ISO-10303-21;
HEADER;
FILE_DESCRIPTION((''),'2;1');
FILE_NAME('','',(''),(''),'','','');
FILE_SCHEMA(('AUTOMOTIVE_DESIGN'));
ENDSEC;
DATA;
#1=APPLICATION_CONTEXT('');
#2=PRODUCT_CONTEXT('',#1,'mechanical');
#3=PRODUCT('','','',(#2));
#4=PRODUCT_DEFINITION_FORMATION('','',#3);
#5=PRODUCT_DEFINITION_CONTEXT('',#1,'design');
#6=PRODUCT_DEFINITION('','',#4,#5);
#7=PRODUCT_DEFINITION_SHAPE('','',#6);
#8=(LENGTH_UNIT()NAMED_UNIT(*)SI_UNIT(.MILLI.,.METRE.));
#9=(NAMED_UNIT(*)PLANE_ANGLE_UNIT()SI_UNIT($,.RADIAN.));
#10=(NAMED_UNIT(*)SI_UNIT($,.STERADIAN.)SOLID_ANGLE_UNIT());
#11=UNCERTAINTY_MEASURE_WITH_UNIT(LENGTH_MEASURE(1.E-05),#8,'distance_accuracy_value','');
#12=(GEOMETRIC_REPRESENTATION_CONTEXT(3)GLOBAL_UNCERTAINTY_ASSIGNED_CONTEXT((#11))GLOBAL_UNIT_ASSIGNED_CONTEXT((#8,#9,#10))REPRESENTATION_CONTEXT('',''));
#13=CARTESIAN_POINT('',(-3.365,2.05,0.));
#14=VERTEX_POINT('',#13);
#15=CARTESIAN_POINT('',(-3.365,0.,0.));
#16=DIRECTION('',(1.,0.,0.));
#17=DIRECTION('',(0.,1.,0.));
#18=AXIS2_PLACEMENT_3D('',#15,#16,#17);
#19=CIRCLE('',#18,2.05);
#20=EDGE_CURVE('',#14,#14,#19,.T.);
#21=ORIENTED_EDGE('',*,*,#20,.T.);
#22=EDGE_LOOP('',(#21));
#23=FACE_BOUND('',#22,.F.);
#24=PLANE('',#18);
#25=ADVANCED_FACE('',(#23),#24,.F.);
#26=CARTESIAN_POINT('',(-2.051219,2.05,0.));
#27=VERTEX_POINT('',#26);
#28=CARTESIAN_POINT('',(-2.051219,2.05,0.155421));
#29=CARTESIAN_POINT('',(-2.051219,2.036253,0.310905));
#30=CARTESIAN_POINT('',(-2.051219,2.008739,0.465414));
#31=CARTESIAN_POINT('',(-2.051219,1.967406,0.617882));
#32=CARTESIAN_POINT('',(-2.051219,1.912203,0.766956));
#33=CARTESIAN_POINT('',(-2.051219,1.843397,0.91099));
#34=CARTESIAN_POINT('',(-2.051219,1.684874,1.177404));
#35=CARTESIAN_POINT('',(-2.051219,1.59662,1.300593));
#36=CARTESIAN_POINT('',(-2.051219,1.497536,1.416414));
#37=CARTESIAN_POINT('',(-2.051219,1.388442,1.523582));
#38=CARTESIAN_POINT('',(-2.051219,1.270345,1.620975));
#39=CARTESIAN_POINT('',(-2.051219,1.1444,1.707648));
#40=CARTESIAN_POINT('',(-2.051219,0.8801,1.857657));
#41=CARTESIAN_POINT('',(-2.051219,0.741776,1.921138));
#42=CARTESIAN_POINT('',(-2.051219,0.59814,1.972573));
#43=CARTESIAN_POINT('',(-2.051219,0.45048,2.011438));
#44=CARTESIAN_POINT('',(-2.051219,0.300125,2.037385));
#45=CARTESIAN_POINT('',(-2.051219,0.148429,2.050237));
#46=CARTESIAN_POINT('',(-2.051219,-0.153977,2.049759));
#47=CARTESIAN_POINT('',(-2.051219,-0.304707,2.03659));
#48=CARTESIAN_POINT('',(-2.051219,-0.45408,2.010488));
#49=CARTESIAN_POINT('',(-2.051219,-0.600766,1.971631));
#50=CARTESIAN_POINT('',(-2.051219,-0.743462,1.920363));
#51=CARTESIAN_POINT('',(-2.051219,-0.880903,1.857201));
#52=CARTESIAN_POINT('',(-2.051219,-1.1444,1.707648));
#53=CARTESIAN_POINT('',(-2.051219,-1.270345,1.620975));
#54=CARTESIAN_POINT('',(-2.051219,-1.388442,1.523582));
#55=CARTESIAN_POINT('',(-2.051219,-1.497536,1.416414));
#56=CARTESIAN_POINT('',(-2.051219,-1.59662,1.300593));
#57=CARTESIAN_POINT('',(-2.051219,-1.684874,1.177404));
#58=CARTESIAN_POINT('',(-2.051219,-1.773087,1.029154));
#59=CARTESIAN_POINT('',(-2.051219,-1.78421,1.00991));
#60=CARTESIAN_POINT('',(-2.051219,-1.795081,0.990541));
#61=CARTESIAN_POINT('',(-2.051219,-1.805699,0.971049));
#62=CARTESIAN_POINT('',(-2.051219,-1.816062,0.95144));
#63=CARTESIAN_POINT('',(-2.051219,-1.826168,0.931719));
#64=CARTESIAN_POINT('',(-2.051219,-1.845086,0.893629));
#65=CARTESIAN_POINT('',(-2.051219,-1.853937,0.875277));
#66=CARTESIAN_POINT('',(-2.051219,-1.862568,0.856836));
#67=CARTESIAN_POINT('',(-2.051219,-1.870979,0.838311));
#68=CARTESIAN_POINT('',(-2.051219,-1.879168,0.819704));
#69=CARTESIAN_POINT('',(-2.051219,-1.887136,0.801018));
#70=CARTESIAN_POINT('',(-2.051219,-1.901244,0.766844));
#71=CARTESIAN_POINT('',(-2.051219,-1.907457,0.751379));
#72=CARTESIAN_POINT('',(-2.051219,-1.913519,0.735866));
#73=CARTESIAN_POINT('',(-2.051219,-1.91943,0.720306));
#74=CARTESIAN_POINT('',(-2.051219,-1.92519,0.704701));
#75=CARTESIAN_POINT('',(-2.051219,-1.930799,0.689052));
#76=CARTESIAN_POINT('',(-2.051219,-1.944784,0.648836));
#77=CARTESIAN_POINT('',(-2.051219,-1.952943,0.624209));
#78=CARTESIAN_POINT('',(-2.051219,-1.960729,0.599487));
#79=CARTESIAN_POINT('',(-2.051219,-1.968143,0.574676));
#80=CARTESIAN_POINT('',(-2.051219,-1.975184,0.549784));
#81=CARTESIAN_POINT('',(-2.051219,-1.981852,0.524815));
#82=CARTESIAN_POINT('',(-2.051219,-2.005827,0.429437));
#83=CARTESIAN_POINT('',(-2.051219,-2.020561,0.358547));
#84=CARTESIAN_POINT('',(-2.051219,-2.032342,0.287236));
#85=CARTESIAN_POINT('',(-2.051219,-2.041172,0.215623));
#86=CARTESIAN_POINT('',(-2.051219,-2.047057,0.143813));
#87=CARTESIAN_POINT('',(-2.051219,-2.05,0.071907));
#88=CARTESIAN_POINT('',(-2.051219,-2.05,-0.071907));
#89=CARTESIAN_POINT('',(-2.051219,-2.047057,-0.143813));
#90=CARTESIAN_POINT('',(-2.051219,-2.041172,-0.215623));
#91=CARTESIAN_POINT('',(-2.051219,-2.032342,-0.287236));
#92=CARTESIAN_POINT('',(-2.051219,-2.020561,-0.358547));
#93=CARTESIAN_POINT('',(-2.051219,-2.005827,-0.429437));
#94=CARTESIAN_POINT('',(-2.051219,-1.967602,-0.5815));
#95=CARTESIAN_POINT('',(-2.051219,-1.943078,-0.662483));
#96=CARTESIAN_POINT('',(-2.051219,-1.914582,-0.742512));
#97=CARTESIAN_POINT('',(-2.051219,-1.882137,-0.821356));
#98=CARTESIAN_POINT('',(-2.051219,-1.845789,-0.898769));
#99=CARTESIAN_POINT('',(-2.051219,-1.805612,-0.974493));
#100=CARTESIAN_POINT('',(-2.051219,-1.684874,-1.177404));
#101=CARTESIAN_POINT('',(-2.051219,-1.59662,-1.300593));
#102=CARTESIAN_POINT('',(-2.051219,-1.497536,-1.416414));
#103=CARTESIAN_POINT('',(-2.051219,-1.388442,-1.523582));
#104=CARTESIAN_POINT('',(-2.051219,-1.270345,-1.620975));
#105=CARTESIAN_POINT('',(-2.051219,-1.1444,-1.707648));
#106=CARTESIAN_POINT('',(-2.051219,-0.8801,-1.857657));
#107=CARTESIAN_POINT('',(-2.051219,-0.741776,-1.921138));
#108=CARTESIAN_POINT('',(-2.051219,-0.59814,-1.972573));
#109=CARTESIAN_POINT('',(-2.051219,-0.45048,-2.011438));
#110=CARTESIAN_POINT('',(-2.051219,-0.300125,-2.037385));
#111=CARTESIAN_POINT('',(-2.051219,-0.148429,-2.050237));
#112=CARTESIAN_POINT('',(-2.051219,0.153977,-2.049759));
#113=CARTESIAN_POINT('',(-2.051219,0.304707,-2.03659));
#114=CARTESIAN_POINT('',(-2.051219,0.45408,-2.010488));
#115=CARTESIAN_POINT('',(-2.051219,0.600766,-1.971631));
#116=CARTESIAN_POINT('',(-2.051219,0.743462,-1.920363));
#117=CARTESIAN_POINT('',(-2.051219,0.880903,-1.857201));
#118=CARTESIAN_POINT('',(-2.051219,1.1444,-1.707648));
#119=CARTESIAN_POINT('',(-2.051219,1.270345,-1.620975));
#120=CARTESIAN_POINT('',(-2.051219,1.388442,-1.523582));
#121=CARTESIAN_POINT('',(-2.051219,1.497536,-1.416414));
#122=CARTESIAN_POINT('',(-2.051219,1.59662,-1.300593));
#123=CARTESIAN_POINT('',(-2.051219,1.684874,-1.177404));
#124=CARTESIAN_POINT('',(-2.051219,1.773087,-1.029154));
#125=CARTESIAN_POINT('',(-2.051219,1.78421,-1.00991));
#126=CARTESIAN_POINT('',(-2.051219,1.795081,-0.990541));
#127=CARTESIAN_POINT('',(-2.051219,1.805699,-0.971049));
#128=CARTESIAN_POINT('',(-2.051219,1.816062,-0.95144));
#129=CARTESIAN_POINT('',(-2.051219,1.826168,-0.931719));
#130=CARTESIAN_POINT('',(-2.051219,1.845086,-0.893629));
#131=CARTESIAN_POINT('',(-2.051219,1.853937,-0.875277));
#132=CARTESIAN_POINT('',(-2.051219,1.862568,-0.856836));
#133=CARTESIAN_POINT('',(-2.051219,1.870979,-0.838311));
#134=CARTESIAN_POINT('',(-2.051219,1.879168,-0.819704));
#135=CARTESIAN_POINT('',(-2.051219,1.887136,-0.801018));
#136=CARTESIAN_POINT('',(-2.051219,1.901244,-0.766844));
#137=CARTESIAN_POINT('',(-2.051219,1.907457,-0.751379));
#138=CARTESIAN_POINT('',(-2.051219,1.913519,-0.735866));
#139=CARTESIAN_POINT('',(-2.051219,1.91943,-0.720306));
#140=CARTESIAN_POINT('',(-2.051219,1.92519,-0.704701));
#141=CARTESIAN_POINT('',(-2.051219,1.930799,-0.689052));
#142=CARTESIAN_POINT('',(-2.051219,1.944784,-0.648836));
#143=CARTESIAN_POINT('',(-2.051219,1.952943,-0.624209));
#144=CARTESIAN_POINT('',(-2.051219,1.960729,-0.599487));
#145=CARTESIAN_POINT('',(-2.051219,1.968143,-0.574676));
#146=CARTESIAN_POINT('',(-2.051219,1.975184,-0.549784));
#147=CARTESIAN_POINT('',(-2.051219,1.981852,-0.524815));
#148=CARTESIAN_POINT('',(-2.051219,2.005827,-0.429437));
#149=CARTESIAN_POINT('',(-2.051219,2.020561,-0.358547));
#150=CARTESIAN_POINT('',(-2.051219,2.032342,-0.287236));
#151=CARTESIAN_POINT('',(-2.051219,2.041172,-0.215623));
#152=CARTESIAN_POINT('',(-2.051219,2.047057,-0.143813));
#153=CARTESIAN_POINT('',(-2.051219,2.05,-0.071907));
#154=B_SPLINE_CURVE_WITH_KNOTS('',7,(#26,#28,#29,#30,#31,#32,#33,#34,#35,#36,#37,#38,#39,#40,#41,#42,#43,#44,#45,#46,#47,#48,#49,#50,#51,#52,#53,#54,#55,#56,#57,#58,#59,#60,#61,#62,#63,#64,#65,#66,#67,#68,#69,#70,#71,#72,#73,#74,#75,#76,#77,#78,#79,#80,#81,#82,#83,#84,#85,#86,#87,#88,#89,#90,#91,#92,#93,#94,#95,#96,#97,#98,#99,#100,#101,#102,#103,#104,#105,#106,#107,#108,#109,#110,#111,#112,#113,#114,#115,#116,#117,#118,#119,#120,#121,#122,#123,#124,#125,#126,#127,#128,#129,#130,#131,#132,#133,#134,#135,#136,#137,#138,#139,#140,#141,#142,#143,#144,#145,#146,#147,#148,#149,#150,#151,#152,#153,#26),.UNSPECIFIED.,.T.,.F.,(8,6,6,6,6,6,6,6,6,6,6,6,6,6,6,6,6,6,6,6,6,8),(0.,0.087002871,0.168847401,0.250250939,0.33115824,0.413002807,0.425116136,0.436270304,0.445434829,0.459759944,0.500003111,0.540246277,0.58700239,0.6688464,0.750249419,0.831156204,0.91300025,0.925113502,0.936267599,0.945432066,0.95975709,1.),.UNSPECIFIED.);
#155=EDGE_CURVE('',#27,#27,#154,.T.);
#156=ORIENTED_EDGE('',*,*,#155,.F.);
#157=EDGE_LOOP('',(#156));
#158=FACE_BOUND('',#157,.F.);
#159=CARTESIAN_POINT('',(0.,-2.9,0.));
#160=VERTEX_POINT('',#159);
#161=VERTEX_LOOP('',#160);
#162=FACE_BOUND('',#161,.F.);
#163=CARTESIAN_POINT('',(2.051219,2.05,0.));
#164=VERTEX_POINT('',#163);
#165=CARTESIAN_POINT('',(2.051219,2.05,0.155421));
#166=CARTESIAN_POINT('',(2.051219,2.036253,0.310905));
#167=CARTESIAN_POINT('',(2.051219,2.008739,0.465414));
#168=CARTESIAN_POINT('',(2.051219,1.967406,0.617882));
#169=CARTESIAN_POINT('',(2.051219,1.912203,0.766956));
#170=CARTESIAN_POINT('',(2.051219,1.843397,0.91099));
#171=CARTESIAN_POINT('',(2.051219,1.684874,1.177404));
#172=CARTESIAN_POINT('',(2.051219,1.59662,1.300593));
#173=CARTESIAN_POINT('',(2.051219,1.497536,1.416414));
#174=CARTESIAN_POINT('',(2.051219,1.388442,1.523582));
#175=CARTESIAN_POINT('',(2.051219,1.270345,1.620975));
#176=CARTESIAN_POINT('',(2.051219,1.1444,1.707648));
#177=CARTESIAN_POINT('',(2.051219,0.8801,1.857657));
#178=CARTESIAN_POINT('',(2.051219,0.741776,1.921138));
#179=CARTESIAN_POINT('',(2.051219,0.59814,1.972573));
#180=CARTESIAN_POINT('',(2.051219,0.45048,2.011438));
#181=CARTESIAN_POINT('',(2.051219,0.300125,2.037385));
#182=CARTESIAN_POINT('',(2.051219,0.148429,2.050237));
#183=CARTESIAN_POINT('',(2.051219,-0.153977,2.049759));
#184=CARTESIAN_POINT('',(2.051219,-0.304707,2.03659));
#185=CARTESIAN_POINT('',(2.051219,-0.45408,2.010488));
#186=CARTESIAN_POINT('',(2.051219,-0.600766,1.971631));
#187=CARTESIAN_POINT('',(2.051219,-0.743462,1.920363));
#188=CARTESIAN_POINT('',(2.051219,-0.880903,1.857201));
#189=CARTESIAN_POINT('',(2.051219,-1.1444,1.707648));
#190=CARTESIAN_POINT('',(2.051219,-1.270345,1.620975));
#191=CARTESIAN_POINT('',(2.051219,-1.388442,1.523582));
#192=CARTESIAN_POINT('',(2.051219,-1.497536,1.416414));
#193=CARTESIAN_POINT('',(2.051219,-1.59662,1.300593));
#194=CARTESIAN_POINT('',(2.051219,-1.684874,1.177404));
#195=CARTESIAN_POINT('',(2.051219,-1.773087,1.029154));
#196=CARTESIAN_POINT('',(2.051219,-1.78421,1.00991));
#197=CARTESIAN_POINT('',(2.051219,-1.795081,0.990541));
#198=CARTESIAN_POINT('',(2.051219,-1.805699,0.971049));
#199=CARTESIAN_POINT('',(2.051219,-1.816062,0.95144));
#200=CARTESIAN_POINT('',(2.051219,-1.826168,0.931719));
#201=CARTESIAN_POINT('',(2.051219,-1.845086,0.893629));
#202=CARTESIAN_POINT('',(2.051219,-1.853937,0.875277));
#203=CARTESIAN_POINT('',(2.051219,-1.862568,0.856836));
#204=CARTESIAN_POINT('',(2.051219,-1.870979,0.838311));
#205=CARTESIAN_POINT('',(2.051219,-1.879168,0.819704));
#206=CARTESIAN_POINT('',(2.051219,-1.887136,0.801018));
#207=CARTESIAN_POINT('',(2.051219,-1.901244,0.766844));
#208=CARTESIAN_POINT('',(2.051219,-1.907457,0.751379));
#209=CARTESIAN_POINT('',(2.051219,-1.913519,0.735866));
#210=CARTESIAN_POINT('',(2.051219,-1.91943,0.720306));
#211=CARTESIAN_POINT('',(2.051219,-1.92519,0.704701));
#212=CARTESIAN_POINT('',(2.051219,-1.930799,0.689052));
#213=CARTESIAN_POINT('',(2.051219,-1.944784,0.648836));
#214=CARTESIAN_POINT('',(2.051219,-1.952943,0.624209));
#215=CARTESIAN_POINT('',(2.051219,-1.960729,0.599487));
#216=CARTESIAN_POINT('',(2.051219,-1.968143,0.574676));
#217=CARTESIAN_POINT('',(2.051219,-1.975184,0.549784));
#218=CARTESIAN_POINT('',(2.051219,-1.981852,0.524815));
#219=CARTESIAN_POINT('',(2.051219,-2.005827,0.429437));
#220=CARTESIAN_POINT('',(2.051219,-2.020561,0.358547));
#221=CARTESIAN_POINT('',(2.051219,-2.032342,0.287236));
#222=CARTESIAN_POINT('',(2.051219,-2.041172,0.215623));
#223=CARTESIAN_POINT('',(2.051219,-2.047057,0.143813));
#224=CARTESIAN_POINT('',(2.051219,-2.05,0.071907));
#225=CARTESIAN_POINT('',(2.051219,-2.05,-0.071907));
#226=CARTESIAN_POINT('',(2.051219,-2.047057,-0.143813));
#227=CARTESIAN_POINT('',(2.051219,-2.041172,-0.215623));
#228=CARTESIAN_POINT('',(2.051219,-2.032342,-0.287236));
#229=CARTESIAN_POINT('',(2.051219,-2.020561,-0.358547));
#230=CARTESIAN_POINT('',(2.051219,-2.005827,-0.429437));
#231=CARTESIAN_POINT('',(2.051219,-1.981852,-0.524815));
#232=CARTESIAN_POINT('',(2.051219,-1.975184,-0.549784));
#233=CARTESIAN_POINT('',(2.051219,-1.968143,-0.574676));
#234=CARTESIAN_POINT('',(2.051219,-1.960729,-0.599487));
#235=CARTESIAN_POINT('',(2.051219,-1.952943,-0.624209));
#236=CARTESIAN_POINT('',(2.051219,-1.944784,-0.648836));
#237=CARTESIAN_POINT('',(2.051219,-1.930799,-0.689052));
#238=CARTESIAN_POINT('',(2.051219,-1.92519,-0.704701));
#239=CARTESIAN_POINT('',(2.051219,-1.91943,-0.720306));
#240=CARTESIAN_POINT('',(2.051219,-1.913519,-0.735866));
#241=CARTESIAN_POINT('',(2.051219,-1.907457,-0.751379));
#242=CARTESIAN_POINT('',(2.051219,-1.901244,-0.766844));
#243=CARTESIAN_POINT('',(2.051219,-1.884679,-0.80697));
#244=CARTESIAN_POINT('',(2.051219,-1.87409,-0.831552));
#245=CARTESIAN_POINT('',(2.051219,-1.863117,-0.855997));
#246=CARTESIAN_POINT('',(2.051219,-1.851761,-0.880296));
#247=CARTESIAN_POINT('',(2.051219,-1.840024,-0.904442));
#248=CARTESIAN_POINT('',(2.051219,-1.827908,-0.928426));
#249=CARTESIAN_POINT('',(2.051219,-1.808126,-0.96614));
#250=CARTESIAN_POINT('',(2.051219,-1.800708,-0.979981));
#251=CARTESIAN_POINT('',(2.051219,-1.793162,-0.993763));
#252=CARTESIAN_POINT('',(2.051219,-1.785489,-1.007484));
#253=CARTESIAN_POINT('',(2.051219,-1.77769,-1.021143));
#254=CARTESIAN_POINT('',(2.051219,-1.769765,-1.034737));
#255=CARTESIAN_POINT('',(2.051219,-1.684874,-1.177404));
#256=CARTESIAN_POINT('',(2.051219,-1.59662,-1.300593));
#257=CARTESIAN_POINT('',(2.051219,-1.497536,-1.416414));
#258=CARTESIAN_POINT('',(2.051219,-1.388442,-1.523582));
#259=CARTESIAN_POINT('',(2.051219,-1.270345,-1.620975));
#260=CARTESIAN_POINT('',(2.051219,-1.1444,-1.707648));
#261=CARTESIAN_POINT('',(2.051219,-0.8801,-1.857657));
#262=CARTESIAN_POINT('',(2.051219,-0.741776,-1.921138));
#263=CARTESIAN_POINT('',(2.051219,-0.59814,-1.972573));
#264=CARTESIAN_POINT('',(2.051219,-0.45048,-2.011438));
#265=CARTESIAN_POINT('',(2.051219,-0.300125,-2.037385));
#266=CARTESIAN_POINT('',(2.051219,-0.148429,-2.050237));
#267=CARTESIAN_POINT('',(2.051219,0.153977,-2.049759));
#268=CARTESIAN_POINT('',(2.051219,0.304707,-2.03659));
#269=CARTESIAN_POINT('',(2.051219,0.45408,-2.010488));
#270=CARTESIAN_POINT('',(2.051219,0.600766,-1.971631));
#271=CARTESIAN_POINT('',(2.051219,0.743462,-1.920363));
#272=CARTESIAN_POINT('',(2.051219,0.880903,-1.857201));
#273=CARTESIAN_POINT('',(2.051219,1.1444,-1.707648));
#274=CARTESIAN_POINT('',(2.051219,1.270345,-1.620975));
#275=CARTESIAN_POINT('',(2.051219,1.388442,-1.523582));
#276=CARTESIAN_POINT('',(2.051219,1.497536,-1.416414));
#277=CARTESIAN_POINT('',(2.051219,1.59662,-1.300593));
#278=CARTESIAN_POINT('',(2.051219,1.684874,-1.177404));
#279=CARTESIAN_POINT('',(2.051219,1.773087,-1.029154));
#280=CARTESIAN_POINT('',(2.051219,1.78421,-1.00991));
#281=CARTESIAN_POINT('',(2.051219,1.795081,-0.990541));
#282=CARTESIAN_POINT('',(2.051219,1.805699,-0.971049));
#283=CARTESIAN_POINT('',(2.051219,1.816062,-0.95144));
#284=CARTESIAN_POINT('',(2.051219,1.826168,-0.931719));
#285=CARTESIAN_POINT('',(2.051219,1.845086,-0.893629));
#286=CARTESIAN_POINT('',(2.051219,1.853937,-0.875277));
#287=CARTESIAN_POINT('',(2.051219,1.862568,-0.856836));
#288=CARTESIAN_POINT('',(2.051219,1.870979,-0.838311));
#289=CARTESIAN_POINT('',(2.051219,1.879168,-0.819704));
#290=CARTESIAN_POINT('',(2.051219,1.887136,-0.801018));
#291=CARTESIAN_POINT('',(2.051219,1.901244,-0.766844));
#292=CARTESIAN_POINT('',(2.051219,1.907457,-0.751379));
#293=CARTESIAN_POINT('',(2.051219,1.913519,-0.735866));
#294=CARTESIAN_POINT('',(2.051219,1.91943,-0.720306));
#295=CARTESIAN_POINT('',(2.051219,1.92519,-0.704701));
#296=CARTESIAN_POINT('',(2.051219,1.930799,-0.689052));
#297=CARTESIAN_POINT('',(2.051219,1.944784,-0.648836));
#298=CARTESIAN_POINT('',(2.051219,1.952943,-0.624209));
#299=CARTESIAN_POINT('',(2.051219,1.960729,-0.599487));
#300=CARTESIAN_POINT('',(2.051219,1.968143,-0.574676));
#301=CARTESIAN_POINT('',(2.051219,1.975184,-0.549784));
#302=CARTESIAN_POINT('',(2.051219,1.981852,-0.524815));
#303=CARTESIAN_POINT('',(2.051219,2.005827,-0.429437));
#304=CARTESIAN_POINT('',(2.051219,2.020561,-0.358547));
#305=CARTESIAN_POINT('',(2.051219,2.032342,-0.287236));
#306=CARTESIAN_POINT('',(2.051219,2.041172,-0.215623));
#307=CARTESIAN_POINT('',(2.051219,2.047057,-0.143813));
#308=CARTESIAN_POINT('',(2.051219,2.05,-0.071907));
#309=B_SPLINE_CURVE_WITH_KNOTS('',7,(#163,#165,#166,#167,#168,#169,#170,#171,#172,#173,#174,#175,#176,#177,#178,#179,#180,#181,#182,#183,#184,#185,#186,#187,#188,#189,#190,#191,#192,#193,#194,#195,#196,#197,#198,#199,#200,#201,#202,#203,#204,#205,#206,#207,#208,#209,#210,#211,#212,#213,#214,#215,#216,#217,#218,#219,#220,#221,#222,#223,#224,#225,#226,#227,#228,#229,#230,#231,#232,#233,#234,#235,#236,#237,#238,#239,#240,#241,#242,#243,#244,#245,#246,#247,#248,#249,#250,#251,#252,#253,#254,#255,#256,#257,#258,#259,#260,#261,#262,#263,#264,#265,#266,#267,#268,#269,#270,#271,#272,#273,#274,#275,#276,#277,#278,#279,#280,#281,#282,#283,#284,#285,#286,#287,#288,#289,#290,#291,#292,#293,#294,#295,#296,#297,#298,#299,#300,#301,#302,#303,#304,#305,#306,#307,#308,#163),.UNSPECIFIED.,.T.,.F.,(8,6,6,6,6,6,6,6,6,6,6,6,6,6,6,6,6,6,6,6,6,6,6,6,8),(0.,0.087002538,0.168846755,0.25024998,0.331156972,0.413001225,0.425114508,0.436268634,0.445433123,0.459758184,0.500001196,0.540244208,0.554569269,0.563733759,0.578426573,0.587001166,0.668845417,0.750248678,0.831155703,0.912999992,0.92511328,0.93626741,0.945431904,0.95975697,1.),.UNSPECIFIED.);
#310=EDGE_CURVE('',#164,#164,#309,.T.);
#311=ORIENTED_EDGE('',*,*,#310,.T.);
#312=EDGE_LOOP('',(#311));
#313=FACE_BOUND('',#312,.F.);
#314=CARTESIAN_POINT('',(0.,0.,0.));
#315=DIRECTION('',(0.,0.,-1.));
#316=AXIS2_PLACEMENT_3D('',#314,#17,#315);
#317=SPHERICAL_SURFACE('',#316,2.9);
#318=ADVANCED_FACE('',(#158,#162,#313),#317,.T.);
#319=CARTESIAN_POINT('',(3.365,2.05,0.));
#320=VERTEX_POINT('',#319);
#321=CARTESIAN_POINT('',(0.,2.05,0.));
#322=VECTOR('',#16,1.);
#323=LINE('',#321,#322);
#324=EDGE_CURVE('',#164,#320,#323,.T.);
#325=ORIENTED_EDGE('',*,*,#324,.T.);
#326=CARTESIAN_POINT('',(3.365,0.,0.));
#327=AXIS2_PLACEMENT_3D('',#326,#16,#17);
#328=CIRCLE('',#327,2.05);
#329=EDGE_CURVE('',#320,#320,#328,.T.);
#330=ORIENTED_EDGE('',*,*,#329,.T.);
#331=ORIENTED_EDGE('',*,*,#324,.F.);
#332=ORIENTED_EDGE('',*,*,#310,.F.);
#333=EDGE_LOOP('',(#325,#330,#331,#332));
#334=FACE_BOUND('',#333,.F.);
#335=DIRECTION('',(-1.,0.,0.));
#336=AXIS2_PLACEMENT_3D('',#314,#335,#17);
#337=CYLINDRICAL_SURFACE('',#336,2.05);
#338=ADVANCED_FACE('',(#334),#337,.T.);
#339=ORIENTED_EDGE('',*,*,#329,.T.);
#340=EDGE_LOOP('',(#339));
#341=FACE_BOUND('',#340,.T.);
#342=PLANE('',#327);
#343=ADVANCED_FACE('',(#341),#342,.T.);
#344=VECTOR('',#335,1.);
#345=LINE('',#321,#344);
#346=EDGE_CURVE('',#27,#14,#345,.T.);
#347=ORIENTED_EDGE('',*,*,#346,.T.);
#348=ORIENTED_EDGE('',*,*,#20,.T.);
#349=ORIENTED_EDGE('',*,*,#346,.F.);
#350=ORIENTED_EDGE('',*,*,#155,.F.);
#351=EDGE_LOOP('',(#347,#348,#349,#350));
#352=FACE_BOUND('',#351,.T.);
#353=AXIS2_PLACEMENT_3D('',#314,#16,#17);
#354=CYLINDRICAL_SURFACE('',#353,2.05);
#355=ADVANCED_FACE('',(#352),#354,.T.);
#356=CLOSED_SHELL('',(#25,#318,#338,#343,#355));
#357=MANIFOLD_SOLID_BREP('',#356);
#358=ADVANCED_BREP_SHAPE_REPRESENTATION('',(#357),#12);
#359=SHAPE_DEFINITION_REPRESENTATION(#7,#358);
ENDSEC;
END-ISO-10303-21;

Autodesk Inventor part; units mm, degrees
ref_plane "YZ Plane" through (0, 0, 0) normal (1, 0, 0) x (0, 1, 0)
ref_plane "XZ Plane" through (0, 0, 0) normal (0, 1, 0) x (-1, 0, 0)
ref_plane "XY Plane" through (0, 0, 0) normal (0, 0, 1) x (1, 0, 0)
sketch "Sketch1" plane through (0, 0, 0) normal (1, 0, 0) x (0, 1, 0)
  arc A0 (-2.9, 0) -> (2.9, 0) centre (0, 0) ccw
  line L0 (2.9, 0) -> (-2.9, 0)
  dimension "d0" = 5.8
sketch "Sketch2" plane through (0, 0, 0) normal (1, 0, 0) x (0, 1, 0)
  circle A0 centre (0, 0) radius 2.05
  dimension "d2" = 4.1
extrude "Extrusion1" add sketch "Sketch2" along normal mid plane 6.73
revolve "Revolution1" add sketch "Sketch1" angle 360 about axis through (0, 2.9, 0) along (0, -1, 0)
sketch "Sketch3" plane through (0, 0, 0) normal (1, 0, 0) x (0, 1, 0)
  point P0 (0, 0)
properties part number "RCT-H016_upper_linkage_ball_stud"
